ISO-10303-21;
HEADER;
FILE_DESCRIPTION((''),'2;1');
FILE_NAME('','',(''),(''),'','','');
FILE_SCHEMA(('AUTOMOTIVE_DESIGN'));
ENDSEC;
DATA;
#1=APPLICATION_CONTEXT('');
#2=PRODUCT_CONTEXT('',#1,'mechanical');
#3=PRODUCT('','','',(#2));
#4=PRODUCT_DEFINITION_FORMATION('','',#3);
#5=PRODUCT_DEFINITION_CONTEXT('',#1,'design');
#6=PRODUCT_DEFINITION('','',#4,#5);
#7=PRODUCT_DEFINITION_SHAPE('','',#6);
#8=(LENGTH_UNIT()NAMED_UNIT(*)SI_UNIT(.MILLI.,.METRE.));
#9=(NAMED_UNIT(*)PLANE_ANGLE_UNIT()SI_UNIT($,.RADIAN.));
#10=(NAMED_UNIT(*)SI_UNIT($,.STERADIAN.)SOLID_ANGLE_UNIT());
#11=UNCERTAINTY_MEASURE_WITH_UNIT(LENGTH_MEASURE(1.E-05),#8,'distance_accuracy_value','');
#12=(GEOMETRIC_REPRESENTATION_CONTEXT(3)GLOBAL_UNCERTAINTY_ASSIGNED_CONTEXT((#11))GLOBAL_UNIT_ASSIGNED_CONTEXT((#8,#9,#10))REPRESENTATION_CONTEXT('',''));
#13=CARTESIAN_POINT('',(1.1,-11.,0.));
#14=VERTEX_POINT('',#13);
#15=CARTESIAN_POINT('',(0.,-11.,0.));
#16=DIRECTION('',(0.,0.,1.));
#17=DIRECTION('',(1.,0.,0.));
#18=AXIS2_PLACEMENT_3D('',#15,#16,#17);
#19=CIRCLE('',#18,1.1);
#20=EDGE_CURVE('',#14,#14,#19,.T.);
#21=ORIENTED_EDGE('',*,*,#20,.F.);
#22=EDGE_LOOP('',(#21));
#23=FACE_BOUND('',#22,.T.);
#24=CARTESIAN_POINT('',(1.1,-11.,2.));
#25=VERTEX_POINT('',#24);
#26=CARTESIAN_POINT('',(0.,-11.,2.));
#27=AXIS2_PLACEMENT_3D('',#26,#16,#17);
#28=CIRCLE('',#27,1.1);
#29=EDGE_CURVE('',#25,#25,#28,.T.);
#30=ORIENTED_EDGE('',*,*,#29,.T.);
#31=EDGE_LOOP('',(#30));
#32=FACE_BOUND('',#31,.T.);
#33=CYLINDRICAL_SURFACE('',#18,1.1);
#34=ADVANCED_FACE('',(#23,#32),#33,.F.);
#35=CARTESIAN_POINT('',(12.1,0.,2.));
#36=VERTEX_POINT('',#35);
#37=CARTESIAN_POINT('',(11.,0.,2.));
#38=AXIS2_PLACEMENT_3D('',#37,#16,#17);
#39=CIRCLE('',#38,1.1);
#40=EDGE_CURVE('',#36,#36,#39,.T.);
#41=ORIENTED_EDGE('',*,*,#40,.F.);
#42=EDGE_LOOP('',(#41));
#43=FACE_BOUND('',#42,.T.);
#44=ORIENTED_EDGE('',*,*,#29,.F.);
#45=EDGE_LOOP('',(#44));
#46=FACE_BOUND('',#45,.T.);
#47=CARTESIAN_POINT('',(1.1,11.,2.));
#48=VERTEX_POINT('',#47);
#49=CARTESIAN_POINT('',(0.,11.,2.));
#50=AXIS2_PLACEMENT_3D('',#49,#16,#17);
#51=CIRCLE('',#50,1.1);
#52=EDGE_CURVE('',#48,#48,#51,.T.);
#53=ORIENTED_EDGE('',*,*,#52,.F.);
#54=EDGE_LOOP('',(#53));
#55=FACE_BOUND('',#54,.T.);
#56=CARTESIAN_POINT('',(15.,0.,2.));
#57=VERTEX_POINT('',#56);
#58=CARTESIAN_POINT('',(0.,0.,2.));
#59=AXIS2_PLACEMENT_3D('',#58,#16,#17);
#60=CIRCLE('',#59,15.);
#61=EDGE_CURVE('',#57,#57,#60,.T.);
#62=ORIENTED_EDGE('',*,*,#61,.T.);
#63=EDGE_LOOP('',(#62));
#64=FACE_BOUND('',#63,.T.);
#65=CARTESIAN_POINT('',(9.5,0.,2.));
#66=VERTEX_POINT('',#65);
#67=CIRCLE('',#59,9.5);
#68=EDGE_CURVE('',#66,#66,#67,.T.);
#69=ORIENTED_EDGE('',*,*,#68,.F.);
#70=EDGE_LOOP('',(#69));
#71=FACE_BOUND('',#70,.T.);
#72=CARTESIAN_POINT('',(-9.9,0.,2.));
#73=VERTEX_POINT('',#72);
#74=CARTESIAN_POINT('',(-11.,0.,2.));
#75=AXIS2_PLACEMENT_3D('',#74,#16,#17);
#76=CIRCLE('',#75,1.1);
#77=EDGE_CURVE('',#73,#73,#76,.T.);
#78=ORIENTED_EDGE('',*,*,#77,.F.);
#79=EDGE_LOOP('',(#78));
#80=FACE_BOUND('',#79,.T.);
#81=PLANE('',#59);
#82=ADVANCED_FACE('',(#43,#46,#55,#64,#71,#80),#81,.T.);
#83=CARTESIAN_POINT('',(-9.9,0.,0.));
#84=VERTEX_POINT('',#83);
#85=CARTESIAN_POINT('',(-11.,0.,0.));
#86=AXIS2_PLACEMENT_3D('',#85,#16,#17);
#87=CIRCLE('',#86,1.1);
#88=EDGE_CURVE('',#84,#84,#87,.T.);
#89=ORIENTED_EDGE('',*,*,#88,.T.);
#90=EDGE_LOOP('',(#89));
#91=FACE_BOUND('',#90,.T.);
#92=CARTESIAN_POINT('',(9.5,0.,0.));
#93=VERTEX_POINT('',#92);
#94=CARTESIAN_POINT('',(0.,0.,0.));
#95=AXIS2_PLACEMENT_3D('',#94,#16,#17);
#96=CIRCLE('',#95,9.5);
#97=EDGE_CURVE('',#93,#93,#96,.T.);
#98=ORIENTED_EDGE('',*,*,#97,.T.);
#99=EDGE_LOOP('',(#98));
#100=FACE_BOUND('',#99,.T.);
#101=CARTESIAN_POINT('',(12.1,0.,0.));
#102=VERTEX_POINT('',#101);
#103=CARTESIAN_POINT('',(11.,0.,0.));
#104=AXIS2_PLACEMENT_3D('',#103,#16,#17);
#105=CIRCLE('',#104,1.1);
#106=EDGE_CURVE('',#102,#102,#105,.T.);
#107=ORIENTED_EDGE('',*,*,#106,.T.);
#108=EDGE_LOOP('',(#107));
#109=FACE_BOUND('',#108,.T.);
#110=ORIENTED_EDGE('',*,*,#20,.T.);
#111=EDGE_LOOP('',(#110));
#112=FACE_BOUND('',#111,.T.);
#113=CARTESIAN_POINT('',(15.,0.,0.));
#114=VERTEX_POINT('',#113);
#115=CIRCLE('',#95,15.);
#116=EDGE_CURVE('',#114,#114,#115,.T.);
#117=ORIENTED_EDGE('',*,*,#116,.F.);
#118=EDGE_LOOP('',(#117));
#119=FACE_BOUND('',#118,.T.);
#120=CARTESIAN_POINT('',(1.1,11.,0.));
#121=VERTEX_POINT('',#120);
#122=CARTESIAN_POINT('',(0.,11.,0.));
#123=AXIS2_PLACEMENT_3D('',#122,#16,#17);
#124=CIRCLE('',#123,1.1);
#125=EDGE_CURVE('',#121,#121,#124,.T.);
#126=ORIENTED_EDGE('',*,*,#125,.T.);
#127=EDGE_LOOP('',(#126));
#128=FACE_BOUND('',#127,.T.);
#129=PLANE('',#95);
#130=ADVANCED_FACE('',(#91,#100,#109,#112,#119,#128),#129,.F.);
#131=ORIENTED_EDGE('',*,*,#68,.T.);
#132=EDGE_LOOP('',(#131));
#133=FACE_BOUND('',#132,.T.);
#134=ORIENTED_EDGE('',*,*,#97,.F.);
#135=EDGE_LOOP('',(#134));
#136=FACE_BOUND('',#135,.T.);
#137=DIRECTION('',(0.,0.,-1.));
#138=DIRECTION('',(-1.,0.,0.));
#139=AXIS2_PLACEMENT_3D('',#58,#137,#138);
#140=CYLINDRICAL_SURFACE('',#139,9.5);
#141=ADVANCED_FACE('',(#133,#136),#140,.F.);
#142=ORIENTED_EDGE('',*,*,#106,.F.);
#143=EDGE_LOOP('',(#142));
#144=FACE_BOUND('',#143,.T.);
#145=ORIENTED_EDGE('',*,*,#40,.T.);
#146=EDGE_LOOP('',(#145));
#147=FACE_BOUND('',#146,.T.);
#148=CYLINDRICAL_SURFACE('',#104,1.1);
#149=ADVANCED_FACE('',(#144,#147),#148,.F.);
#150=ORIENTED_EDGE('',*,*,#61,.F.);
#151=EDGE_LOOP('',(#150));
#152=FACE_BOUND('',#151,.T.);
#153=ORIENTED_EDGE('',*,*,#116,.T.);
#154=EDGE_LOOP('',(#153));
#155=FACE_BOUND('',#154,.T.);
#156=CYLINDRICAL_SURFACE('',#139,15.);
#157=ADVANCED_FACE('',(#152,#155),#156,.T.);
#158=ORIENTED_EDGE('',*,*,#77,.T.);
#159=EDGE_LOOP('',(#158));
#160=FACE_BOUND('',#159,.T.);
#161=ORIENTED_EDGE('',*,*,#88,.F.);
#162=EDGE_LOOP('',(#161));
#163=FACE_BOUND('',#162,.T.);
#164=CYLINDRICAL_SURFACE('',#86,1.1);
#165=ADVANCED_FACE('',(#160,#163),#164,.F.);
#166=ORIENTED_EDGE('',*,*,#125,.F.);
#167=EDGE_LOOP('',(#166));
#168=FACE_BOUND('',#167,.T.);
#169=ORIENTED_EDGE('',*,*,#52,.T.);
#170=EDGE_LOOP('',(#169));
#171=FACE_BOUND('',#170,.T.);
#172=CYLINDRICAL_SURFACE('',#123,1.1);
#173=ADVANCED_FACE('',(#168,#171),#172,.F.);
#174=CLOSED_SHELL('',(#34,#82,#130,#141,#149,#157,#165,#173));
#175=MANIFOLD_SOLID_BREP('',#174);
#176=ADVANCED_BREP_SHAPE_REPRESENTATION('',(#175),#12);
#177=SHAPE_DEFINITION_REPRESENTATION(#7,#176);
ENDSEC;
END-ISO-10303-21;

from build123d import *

# Parameters (mm, degrees)
SKETCH_1_R          = 15
SKETCH_1_R_2        = 9.5
EXTRUDE_1_DEPTH     = 2
SKETCH_2_R          = 1.1
CUT_EXTRUDE_1_DEPTH = 2


with BuildPart() as part:
    # 草图1 → 凸台-拉伸1 (new body)
    with BuildSketch(Plane.XY):
        Circle(SKETCH_1_R)
        Circle(SKETCH_1_R_2, mode=Mode.SUBTRACT)
    extrude(amount=EXTRUDE_1_DEPTH)

    # 草图2 → 切除-拉伸1 (cut)
    with BuildSketch(Plane.XY.offset(2)):
        with Locations((0, 11)):
            Circle(SKETCH_2_R)
        with Locations((11, 0)):
            Circle(SKETCH_2_R)
        with Locations((0, -11)):
            Circle(SKETCH_2_R)
        with Locations((-11, 0)):
            Circle(SKETCH_2_R)
    extrude(amount=-CUT_EXTRUDE_1_DEPTH, mode=Mode.SUBTRACT)


solid = part.part
